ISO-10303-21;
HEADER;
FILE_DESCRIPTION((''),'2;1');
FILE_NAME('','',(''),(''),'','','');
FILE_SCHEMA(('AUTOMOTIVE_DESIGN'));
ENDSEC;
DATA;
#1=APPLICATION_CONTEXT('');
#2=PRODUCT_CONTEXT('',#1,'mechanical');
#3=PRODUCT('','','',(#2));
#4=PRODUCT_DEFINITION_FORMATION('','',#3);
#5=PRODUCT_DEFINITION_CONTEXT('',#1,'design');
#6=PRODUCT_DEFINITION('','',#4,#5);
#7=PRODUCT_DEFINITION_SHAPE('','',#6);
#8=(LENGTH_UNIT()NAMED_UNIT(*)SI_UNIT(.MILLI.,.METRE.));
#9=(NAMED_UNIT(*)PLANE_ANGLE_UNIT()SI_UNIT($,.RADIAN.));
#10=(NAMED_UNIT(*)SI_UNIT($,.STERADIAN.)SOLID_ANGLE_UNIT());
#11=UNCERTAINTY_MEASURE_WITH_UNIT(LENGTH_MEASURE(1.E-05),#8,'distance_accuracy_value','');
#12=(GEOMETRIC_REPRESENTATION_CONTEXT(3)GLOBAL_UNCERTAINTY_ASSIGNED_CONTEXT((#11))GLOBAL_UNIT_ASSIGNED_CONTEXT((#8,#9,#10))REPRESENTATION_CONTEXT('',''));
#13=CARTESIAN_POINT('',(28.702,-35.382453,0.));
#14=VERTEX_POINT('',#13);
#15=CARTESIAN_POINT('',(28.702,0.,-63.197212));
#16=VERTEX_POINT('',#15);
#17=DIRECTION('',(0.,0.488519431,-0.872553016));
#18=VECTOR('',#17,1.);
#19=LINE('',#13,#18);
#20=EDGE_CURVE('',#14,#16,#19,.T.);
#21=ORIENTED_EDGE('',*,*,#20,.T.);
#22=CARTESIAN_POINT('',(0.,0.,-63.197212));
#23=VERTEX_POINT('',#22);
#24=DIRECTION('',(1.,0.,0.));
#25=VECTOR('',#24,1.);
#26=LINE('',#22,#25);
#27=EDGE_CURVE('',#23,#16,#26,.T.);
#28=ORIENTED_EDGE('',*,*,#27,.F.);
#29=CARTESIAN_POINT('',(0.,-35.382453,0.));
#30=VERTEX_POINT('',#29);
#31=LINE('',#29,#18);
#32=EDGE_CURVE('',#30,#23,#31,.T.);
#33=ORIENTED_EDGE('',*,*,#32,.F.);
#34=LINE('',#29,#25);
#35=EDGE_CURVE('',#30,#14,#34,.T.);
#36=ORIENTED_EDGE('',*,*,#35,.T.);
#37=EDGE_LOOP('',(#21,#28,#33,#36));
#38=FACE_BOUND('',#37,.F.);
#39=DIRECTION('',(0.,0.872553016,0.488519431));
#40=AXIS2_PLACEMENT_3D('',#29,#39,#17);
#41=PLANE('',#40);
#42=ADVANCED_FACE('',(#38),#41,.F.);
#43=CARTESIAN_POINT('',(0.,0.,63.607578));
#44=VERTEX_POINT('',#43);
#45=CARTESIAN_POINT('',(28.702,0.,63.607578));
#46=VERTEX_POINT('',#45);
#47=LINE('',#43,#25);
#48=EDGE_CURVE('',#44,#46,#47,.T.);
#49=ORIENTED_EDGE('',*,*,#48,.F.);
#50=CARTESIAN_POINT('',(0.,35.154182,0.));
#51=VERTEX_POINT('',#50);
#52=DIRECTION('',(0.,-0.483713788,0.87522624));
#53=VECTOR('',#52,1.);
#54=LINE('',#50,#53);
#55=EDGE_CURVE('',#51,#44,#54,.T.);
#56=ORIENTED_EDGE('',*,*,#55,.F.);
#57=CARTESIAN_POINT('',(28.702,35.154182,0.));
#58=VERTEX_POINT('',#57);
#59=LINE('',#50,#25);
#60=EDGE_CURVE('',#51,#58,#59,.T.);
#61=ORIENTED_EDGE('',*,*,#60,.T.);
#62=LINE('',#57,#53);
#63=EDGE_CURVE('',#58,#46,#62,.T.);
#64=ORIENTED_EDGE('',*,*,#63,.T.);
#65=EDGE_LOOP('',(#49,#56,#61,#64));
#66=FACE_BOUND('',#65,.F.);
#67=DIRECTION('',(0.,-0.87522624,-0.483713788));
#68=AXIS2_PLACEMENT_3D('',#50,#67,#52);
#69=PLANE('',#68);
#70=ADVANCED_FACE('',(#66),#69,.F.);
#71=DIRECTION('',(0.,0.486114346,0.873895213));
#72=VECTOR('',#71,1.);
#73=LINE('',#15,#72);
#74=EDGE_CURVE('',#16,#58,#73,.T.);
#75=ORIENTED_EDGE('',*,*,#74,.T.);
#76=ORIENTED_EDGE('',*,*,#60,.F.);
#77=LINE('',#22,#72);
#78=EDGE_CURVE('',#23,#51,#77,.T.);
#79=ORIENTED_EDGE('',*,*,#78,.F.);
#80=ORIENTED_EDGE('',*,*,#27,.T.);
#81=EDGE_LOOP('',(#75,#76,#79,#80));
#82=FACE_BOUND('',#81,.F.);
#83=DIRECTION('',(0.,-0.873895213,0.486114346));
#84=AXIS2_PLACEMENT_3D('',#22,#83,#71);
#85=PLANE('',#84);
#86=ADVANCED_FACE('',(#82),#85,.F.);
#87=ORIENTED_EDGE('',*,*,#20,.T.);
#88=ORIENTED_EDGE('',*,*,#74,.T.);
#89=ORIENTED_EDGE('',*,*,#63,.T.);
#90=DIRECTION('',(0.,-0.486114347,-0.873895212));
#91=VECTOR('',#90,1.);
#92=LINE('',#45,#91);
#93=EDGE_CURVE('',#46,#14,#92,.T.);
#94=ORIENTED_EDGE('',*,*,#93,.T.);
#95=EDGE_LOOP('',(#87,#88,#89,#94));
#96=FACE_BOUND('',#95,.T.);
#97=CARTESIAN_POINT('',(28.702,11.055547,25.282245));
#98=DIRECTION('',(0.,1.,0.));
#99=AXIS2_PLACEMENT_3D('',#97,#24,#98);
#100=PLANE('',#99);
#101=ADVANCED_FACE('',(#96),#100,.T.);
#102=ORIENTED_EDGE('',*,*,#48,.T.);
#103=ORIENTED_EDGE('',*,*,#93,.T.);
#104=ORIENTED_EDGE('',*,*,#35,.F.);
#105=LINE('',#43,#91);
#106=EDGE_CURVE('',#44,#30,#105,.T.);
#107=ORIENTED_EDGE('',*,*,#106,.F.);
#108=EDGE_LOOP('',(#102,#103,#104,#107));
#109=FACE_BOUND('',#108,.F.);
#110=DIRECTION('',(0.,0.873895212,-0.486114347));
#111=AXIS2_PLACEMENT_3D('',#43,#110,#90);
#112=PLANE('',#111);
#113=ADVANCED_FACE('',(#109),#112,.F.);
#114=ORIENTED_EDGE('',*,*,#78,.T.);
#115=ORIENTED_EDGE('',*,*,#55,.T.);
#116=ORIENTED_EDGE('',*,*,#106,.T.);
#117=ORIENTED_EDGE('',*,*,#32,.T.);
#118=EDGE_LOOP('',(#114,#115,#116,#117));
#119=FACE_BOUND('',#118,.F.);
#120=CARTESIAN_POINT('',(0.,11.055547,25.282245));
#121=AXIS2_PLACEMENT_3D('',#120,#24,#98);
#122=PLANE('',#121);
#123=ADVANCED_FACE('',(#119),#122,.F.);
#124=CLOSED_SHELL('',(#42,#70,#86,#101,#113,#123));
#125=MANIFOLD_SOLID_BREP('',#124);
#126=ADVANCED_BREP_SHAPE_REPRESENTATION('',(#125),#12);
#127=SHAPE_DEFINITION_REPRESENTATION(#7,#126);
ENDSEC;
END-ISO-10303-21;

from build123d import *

# Parameters (mm, degrees)
F1_DEPTH = 28.702


with BuildPart() as f1:
    # F0 (on Right) → F1 (new body)
    with BuildSketch(Plane.YZ):
        Polygon((0, 63.607578), (0, 0), (35.154182, 0), align=None)
        Polygon((-35.382453, 0), (0, 0), (0, 63.607578), align=None)
        Polygon((0, -63.197212), (0, 0), (-35.382453, 0), align=None)
        Polygon((35.154182, 0), (0, 0), (0, -63.197212), align=None)
    extrude(amount=F1_DEPTH)


solid = f1.part
